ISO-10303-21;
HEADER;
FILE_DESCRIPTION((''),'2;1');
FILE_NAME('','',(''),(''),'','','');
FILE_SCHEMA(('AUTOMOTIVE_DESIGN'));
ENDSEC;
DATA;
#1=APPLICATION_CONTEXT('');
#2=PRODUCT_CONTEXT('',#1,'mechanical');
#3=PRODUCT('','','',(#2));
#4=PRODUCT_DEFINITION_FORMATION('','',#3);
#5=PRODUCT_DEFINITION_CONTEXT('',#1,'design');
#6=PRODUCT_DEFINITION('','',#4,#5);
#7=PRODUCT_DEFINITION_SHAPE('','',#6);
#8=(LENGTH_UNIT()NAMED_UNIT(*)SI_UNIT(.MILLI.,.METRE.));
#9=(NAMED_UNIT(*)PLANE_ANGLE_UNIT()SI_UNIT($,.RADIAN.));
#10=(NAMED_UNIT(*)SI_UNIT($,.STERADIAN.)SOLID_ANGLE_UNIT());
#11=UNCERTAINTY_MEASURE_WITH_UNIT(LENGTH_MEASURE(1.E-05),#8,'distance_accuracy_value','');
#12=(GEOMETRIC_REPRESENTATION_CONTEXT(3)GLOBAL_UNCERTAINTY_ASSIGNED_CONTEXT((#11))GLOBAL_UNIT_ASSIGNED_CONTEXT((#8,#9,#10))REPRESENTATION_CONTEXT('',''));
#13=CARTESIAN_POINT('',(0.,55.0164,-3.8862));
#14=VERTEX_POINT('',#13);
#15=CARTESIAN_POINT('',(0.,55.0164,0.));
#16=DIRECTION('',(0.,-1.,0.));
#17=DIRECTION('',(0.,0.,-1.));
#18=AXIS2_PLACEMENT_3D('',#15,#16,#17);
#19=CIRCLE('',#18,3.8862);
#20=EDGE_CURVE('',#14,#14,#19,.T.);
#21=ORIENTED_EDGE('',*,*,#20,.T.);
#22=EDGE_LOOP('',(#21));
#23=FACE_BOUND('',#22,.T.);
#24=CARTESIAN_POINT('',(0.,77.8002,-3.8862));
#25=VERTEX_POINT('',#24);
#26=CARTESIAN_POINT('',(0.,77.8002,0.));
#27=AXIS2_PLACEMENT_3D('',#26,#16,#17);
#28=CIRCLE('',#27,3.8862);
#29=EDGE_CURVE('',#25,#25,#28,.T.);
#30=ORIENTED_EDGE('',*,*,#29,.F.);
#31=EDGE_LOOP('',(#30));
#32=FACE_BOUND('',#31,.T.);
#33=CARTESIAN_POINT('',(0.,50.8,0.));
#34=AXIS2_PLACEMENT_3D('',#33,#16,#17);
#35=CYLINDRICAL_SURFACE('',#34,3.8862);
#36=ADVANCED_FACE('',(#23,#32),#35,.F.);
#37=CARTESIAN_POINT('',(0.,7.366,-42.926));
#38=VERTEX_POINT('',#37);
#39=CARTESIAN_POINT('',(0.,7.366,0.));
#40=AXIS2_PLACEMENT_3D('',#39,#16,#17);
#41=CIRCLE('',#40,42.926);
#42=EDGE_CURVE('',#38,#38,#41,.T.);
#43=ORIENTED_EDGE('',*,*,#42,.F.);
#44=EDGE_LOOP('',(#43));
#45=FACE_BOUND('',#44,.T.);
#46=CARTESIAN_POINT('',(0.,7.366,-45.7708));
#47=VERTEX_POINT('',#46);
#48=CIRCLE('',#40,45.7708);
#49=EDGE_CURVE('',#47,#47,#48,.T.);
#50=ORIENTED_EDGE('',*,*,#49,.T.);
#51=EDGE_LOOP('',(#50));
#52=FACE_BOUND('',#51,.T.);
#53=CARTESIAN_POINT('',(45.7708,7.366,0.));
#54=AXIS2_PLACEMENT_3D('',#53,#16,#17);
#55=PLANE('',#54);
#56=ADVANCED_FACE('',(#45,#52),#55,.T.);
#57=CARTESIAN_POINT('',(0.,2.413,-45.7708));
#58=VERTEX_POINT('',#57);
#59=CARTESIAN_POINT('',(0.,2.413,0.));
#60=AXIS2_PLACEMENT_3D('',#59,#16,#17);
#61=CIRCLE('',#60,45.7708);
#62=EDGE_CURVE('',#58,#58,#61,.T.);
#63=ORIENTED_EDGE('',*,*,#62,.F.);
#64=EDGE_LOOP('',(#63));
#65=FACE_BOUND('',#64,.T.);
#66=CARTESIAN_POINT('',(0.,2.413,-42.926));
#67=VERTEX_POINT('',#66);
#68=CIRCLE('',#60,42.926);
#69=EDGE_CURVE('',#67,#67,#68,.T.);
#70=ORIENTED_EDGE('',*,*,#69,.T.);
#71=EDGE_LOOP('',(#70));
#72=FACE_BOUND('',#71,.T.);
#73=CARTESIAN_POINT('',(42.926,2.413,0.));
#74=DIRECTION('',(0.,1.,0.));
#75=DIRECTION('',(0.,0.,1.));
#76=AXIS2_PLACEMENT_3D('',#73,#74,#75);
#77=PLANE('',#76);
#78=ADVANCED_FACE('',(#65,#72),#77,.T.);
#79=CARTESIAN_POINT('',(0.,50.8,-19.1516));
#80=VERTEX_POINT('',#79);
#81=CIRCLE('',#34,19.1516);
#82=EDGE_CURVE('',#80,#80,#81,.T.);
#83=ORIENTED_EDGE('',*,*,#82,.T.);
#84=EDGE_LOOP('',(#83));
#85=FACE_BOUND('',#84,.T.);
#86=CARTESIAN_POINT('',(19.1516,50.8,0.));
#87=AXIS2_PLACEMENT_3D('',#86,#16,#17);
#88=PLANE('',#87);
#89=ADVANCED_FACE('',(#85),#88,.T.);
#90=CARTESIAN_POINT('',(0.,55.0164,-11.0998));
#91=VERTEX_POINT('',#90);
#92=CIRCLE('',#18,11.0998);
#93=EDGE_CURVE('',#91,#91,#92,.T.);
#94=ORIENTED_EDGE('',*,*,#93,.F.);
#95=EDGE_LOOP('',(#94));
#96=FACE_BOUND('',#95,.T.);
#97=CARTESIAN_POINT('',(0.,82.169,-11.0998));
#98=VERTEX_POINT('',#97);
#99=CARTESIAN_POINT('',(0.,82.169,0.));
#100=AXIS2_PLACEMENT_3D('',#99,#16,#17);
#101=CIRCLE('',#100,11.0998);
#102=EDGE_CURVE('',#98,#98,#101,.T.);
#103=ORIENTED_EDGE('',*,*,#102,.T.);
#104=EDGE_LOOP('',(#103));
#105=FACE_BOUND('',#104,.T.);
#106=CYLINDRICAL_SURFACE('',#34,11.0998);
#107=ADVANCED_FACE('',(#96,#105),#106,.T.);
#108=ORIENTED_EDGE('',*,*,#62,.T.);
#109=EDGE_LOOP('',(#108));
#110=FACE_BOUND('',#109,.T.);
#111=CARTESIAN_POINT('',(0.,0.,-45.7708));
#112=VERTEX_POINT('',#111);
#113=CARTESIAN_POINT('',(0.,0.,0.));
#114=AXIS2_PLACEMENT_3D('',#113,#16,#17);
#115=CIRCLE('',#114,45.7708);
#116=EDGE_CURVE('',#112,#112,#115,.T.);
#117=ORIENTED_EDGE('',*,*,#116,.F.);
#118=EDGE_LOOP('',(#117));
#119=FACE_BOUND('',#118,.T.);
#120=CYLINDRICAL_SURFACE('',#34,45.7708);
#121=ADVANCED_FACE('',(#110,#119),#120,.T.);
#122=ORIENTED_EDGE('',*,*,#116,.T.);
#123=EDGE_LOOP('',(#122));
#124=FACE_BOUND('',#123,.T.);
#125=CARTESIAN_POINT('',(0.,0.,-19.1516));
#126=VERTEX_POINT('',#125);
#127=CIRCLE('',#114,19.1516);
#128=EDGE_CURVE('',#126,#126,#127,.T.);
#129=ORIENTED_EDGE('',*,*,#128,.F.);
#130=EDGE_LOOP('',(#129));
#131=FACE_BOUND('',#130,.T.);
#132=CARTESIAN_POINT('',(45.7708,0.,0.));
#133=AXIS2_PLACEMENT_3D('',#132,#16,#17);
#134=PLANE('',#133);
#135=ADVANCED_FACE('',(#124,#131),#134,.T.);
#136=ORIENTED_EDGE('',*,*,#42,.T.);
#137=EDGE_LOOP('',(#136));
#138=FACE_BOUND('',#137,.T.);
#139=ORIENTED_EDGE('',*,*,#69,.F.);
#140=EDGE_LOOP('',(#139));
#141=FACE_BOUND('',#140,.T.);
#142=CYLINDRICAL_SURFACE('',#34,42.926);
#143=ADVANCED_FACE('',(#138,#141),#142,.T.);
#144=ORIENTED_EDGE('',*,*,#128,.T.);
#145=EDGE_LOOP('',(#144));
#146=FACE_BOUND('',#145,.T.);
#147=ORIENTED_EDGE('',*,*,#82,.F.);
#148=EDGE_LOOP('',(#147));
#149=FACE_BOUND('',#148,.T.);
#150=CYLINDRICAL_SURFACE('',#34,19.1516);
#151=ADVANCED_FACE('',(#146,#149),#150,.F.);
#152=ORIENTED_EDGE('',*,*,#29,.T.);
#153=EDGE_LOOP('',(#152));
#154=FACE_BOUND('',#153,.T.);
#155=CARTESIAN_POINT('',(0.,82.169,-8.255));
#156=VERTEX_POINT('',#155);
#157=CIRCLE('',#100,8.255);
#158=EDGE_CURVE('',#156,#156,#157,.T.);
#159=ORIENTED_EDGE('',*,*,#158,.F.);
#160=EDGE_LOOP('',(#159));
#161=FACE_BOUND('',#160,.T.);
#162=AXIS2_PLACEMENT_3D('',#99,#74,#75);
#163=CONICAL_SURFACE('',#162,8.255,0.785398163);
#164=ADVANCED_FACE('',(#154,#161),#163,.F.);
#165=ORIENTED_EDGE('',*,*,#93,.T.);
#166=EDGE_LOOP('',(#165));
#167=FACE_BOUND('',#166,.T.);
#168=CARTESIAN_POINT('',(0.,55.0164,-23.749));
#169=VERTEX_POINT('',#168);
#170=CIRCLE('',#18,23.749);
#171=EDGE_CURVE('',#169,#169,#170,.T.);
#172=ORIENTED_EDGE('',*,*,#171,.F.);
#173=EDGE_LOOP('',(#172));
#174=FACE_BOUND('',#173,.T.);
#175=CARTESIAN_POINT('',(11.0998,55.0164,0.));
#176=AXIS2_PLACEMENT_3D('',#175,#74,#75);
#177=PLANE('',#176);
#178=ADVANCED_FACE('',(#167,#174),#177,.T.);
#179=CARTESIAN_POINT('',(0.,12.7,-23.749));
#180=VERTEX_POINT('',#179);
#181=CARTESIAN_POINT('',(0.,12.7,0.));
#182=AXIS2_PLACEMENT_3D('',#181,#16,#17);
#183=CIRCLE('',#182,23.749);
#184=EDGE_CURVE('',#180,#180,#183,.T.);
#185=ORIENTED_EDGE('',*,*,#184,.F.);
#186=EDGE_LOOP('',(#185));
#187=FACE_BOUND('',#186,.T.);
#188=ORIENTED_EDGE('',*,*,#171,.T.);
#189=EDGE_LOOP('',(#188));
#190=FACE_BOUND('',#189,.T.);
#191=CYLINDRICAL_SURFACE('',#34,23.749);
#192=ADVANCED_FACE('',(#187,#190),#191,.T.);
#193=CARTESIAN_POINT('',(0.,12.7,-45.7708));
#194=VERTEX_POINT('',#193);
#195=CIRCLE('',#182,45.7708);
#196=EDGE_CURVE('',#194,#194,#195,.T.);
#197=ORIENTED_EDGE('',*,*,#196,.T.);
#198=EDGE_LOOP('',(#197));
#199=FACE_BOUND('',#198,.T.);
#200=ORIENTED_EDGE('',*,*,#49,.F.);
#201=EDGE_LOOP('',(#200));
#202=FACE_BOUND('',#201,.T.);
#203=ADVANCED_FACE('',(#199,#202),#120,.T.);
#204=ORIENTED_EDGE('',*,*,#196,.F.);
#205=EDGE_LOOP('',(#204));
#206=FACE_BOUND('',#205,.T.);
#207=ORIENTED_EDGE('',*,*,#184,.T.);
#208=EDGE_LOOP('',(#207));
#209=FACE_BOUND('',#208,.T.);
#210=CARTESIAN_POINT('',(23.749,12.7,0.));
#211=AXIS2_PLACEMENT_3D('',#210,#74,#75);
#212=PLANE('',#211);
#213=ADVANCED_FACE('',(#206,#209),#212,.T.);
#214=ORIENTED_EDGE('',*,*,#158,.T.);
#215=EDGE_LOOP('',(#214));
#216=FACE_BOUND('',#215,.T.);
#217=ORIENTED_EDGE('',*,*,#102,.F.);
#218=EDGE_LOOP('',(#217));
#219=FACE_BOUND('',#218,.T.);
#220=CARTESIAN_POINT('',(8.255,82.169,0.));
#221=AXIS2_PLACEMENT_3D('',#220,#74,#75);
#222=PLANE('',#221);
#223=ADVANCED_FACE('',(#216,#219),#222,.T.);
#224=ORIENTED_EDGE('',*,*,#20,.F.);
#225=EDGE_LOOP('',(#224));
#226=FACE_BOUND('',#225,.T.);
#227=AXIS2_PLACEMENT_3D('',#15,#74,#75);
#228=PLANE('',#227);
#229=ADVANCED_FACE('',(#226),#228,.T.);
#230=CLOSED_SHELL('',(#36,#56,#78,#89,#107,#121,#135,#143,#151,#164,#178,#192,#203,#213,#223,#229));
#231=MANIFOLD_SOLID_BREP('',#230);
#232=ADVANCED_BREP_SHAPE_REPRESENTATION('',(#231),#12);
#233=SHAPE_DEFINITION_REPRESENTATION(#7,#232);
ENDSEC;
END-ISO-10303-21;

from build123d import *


with BuildPart() as part:
    # Sketch1 → Revolve1 (revolve)
    with BuildSketch(Plane.XY):
        Polygon((19.1516, 0), (19.1516, 50.8), (0, 50.8), (0, 55.0164), (3.8862, 55.0164), (3.8862, 77.8002), (8.255, 82.169), (11.0998, 82.169), (11.0998, 55.0164), (23.749, 55.0164), (23.749, 12.7), (45.7708, 12.7), (45.7708, 7.366), (42.926, 7.366), (42.926, 2.413), (45.7708, 2.413), (45.7708, 0), align=None)
    revolve(axis=Axis((0, 50.8, 0), (0, 1, 0)))


solid = part.part
